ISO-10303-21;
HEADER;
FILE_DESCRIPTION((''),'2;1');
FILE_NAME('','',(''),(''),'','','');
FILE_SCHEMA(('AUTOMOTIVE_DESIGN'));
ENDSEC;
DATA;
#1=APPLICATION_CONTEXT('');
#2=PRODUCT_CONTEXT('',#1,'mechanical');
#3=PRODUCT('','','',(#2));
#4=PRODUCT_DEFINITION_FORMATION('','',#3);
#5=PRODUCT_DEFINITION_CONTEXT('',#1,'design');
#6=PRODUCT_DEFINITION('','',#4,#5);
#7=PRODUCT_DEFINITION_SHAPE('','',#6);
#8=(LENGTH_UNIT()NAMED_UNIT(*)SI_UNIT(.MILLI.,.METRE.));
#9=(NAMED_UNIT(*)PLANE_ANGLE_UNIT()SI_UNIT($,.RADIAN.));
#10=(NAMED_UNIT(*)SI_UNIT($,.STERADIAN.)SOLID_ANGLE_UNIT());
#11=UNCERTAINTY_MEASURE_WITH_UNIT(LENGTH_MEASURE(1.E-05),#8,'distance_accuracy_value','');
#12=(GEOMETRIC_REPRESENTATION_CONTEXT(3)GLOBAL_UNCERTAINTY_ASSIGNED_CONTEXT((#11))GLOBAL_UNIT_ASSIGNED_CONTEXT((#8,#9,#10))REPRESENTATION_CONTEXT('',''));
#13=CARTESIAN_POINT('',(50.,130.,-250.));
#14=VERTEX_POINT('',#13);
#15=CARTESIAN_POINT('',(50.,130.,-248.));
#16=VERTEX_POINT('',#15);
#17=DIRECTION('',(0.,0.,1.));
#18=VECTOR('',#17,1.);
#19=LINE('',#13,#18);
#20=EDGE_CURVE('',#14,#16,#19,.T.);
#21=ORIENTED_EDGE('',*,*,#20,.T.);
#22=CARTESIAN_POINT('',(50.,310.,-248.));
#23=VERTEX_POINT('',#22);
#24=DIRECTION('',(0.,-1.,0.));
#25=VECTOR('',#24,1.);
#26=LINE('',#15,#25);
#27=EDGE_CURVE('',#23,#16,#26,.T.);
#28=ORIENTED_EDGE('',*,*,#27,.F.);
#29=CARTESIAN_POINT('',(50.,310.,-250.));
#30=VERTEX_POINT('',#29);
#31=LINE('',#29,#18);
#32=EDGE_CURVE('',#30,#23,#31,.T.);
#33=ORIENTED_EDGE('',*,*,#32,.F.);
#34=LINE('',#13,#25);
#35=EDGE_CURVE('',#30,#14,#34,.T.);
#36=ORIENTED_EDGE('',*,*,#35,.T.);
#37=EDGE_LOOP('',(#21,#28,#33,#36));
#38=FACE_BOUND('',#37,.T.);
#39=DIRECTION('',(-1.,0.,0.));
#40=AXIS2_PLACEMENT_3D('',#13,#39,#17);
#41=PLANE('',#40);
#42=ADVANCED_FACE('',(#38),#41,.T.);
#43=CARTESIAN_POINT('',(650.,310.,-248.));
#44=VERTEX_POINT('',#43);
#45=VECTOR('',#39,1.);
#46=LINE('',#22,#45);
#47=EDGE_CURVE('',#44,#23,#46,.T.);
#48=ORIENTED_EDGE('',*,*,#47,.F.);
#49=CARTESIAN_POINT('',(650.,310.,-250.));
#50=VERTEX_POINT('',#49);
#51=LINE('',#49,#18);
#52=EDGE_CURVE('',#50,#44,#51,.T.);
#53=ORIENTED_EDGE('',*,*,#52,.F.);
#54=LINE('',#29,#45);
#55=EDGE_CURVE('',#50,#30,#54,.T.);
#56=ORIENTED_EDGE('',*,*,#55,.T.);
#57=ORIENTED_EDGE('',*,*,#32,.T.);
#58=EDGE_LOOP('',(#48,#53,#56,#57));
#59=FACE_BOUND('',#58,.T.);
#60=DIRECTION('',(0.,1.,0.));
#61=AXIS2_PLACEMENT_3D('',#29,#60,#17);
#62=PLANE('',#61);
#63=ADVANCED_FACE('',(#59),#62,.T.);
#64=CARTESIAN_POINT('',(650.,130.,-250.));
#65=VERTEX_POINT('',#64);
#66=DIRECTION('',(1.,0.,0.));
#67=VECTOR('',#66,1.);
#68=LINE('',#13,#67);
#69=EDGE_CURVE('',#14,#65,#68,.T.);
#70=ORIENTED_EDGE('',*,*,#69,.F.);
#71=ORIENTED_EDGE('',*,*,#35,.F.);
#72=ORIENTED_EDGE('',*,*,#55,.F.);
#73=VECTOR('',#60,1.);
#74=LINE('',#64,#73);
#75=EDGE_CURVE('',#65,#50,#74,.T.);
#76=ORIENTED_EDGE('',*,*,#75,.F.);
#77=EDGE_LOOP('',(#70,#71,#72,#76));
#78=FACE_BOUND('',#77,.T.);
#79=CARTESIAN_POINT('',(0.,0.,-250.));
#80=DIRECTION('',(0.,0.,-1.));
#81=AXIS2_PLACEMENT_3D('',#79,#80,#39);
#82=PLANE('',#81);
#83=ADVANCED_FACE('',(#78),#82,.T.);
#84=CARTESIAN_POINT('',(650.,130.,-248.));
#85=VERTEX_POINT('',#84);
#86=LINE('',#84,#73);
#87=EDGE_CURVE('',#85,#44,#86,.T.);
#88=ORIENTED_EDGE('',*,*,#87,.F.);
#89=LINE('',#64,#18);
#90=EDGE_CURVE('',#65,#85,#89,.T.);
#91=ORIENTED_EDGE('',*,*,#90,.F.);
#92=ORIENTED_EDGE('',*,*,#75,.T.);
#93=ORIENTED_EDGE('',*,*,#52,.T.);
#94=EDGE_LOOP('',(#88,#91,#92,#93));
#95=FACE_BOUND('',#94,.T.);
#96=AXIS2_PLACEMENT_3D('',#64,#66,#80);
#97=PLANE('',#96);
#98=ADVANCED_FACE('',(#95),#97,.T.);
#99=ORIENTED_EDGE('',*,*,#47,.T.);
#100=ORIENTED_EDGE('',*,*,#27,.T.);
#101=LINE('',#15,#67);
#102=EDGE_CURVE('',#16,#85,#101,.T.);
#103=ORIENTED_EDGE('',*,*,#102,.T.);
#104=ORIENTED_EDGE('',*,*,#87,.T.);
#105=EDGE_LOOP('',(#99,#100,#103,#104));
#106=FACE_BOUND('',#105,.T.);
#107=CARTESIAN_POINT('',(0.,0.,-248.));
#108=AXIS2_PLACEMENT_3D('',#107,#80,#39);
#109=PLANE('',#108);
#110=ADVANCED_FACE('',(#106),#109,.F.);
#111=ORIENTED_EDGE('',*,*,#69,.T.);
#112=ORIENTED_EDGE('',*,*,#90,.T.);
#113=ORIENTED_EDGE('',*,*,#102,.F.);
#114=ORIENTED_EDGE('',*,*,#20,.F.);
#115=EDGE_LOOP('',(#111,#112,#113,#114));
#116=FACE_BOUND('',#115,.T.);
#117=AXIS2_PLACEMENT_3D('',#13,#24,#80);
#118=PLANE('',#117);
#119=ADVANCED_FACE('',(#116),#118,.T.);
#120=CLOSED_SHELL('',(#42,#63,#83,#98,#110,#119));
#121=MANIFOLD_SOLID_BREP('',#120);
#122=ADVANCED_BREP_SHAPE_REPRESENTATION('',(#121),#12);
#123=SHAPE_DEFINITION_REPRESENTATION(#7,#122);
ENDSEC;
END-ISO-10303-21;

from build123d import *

# Parameters (mm, degrees)
OVEN_PANO_PLAKASI_1_START = -248
SKETCH1_W                 = 600
SKETCH1_H                 = 180
OVEN_PANO_PLAKASI_1_DEPTH = 2


with BuildPart() as part:
    # Sketch1 → OVEN_pano_plakasi_1 (new body)
    with BuildSketch(Plane.XY.offset(OVEN_PANO_PLAKASI_1_START)):
        with Locations((350, 220)):
            Rectangle(SKETCH1_W, SKETCH1_H)
    extrude(amount=-OVEN_PANO_PLAKASI_1_DEPTH)


solid = part.part
